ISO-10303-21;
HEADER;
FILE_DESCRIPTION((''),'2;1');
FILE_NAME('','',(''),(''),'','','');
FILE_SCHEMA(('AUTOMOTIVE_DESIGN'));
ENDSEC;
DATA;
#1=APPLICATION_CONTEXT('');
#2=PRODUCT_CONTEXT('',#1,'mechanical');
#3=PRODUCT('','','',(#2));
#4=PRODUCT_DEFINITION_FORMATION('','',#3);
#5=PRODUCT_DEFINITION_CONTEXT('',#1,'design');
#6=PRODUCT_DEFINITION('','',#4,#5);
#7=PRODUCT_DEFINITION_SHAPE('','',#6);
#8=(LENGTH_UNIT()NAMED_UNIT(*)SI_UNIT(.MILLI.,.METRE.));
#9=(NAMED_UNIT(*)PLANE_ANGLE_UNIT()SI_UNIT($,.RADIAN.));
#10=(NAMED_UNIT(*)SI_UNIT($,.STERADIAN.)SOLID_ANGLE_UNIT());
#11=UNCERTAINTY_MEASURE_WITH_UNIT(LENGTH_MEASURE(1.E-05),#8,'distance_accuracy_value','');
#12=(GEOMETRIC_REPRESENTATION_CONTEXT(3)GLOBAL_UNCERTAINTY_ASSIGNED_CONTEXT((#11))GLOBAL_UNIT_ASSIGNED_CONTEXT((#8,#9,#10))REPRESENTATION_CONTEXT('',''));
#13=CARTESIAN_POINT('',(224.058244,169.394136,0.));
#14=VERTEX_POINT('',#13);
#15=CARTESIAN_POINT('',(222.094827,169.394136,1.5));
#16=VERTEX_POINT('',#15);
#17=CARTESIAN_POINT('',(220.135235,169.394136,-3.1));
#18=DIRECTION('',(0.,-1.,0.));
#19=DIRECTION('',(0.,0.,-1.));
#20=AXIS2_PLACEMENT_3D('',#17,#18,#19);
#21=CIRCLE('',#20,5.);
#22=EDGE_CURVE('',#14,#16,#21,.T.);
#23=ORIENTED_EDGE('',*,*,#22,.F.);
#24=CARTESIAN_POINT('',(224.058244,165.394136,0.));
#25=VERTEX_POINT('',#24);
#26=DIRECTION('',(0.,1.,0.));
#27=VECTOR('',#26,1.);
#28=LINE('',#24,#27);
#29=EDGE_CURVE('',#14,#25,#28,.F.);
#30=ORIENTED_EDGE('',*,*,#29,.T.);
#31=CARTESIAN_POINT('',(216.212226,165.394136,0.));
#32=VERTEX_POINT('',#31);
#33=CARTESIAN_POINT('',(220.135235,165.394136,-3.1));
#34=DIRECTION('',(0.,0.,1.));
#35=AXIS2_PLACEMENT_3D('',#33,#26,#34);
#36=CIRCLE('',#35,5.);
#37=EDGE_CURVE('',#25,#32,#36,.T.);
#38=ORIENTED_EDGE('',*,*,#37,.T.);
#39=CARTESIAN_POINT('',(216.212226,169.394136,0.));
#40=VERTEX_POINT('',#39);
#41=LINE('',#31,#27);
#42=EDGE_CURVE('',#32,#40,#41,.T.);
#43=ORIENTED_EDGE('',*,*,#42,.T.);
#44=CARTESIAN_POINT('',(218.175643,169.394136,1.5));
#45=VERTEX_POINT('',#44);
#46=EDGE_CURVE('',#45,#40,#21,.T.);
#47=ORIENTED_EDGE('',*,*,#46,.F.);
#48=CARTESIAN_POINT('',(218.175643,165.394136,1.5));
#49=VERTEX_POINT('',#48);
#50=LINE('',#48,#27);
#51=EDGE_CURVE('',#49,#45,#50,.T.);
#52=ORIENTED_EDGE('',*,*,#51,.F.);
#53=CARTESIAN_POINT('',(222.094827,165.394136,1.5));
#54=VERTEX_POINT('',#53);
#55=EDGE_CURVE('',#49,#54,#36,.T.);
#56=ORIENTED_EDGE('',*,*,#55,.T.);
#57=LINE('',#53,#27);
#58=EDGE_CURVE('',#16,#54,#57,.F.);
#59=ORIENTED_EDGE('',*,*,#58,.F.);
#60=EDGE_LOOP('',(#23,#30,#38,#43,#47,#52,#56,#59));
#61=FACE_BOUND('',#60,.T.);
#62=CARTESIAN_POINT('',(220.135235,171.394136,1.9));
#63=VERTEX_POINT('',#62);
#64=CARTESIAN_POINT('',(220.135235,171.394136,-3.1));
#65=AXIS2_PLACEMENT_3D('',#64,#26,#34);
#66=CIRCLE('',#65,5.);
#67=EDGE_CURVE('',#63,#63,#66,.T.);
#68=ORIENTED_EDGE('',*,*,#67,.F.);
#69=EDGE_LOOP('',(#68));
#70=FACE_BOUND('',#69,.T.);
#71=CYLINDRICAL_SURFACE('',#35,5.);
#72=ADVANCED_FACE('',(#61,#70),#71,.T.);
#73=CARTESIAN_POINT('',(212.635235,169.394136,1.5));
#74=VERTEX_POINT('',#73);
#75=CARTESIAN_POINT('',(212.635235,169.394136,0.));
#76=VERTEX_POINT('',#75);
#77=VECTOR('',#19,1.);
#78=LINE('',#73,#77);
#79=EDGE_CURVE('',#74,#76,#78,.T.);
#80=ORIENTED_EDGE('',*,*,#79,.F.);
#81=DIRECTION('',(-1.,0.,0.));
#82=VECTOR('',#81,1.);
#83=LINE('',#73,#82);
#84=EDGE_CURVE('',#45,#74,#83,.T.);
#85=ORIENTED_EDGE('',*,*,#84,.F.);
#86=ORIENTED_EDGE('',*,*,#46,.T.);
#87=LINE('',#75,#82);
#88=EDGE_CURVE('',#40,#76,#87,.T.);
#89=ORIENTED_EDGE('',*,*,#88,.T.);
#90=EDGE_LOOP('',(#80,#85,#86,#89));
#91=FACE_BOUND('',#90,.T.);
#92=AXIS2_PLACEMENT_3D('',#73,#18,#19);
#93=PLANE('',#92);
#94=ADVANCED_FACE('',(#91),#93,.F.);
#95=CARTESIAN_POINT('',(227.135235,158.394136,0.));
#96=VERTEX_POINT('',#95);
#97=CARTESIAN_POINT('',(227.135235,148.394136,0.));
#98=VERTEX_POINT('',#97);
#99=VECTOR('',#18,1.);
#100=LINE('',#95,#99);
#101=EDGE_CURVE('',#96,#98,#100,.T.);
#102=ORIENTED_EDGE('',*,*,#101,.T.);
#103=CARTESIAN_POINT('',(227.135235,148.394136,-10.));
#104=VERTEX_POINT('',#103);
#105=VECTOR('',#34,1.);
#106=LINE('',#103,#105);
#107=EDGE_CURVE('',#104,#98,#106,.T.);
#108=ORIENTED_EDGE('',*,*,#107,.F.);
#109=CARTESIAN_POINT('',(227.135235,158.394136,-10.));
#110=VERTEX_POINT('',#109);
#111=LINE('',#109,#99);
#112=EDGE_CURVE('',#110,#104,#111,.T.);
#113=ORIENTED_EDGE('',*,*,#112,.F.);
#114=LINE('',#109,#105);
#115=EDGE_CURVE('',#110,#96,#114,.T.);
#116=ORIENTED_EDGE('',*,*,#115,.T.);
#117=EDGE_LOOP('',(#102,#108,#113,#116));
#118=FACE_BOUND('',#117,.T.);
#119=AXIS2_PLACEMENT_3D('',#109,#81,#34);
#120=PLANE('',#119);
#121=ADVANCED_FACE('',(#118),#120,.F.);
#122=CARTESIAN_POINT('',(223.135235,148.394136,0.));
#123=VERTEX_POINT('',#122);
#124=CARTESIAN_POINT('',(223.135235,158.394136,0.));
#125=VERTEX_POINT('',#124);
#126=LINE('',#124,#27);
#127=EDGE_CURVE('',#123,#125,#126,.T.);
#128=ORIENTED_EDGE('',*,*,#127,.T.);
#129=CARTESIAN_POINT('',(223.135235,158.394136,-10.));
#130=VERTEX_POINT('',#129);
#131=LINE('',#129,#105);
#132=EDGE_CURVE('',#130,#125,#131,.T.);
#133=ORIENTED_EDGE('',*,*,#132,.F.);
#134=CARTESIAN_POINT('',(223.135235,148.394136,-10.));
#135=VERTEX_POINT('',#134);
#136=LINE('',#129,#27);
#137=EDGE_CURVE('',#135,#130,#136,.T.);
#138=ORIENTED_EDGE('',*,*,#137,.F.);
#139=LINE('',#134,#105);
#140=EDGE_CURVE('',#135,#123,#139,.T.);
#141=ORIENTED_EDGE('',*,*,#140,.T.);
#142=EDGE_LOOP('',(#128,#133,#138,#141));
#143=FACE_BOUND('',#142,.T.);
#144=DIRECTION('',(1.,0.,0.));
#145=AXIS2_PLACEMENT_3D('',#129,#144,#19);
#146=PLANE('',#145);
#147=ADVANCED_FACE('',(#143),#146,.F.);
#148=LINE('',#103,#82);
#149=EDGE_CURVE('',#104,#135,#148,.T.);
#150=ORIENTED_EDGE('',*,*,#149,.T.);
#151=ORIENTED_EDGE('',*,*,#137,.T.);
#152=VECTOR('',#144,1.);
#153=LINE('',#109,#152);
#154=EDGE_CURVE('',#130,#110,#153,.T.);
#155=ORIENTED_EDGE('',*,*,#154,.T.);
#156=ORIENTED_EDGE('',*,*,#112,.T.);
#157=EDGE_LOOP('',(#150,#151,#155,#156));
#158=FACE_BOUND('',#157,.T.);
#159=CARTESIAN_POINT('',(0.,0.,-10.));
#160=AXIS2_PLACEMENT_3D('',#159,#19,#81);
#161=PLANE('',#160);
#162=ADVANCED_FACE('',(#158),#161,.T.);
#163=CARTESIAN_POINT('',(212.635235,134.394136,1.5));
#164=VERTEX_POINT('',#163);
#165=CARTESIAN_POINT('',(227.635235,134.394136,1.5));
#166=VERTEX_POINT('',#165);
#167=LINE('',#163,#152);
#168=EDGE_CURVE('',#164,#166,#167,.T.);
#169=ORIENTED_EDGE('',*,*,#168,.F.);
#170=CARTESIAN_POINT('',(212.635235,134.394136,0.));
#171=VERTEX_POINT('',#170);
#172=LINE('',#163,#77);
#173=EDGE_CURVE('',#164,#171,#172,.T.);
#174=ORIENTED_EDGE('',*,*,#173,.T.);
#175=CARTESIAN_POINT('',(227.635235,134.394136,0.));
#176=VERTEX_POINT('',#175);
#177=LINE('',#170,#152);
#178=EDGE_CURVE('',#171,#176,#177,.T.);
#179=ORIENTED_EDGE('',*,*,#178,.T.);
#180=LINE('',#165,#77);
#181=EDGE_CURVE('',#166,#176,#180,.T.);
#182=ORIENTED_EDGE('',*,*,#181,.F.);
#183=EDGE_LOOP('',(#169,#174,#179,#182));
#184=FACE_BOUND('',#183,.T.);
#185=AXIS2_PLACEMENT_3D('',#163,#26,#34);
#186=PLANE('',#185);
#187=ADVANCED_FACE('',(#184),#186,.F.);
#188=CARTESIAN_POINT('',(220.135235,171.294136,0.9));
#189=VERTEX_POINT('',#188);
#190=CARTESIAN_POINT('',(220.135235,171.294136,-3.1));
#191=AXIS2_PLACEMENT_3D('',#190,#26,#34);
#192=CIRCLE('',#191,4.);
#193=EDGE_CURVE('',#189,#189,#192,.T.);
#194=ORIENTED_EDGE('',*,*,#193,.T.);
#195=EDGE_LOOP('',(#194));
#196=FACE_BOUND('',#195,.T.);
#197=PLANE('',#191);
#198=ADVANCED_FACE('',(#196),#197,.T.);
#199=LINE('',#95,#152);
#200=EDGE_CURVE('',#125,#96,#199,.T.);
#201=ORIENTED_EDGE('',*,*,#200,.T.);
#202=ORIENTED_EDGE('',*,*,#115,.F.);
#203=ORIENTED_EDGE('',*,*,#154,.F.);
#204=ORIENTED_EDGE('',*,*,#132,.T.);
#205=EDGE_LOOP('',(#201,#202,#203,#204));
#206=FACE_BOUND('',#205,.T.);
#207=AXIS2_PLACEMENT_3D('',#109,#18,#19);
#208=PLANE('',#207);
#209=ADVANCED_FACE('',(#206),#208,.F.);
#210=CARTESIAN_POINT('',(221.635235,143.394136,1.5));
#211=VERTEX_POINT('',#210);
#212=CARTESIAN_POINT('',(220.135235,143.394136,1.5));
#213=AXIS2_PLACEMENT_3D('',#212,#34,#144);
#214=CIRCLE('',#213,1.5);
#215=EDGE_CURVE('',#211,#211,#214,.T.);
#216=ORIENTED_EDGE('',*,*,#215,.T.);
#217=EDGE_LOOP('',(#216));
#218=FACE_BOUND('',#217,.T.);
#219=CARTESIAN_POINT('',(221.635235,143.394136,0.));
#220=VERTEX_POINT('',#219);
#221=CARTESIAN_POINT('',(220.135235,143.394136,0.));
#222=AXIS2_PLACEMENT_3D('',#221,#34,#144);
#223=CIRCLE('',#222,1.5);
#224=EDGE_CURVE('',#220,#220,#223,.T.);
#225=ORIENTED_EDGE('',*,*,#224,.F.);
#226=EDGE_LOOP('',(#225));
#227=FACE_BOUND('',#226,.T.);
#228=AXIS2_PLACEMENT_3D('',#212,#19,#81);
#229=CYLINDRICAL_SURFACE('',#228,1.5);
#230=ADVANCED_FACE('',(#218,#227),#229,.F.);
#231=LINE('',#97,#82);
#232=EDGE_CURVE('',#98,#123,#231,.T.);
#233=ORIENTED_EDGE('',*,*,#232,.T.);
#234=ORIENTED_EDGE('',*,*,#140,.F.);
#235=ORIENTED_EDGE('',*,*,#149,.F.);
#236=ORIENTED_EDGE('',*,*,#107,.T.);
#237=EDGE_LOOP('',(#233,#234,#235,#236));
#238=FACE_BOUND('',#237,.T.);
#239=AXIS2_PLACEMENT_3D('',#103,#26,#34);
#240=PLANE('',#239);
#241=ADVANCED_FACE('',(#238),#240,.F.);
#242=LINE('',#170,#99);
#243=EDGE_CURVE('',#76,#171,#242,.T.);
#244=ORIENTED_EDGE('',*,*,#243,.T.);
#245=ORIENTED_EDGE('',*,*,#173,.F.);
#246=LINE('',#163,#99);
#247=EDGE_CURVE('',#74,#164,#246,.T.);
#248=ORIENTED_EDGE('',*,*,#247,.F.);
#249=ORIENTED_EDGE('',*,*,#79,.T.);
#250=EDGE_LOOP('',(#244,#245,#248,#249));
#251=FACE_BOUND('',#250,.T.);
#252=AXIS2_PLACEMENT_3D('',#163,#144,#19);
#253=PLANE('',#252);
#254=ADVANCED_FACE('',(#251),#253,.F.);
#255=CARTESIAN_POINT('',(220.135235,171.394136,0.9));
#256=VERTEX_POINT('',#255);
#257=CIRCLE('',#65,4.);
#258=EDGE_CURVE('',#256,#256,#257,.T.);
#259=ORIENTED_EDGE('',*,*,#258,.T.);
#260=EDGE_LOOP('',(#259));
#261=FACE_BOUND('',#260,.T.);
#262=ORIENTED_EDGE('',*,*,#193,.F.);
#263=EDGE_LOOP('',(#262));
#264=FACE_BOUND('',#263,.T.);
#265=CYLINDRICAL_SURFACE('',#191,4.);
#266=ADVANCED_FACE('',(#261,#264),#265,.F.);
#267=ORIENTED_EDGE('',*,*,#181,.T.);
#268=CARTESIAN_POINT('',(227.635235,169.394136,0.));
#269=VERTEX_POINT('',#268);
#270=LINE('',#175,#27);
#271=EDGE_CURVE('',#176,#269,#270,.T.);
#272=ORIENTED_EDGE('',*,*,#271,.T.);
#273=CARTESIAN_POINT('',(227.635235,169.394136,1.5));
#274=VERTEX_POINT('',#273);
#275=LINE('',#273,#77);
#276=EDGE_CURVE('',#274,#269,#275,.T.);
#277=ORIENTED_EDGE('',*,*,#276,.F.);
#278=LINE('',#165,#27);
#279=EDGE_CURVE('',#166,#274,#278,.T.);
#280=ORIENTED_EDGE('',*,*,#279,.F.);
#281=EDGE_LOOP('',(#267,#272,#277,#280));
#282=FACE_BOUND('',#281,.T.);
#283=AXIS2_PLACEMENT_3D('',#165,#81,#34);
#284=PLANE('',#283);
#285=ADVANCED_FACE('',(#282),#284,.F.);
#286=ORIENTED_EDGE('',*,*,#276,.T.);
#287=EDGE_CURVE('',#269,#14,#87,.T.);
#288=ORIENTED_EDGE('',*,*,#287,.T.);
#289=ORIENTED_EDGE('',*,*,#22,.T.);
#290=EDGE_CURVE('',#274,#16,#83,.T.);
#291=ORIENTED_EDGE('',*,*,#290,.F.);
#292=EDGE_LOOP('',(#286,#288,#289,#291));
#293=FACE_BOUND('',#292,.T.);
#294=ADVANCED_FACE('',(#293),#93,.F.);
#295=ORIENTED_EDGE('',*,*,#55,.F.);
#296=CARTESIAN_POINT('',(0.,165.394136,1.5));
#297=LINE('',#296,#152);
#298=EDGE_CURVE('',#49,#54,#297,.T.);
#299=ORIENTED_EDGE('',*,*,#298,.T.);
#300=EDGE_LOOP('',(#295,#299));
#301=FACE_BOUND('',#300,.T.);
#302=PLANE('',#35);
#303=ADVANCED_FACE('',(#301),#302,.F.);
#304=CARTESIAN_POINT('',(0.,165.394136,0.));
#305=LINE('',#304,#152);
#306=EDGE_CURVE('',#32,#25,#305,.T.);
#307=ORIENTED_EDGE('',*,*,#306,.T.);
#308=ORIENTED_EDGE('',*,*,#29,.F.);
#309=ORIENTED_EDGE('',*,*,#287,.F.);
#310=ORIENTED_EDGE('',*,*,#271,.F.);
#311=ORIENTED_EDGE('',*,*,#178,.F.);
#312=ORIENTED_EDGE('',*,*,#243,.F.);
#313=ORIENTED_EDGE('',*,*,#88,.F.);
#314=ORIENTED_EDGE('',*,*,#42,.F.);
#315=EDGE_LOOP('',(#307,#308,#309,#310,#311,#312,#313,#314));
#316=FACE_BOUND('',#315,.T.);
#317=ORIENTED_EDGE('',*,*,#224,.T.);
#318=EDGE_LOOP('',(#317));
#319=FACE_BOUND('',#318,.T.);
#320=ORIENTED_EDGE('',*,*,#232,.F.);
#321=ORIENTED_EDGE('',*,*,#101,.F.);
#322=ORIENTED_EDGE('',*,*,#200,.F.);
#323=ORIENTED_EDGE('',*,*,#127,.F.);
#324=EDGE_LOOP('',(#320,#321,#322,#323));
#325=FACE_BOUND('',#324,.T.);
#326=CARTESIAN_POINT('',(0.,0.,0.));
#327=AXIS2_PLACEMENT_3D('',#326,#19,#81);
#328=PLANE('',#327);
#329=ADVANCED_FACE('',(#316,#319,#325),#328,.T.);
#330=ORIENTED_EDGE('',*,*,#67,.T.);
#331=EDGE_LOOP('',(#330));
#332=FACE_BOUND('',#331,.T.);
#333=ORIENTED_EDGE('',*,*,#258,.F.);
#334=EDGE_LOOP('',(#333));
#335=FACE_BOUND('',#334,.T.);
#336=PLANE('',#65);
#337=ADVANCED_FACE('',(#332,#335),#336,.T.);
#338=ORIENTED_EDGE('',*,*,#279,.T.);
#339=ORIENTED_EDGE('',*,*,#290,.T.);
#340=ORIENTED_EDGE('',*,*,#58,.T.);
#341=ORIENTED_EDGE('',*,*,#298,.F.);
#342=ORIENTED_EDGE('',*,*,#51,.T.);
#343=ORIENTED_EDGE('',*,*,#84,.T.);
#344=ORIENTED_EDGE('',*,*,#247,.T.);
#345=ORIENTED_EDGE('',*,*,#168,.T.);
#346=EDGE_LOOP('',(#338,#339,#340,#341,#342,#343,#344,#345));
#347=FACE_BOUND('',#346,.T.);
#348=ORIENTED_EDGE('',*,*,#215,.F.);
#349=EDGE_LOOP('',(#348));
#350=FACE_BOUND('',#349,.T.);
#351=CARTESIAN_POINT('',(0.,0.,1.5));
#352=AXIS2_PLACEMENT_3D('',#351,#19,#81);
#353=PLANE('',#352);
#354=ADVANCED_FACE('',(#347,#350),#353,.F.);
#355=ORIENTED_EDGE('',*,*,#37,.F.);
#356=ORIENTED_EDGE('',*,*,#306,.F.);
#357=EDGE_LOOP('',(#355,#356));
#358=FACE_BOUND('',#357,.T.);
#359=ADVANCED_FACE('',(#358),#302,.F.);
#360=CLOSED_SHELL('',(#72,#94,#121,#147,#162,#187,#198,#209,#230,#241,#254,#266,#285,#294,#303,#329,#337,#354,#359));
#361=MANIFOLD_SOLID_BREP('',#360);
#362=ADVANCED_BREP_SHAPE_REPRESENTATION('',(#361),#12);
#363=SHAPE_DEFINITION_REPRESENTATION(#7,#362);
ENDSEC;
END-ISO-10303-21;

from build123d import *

# Parameters (mm, degrees)
SKETCH1_W                = 15
SKETCH1_H                = 35
SKETCH1_R                = 1.5
BOSS_EXTRUDE1_DEPTH      = 1.5
SKETCH2_R                = 5
BOSS_EXTRUDE2_DEPTH      = 2
BOSS_EXTRUDE2_DEPTH_BACK = 4
SKETCH3_R                = 4
CUT_EXTRUDE1_DEPTH       = 0.1
SKETCH4_W                = 4
SKETCH4_H                = 10
BOSS_EXTRUDE3_DEPTH      = 10


with BuildPart() as part:
    # Sketch1 → Boss-Extrude1 (new body)
    with BuildSketch(Plane.XY):
        with Locations((220.135234982, 151.894136477)):
            Rectangle(SKETCH1_W, SKETCH1_H)
        with Locations((220.135234982, 143.394136477)):
            Circle(SKETCH1_R, mode=Mode.SUBTRACT)
    extrude(amount=BOSS_EXTRUDE1_DEPTH)

    # Sketch2 → Boss-Extrude2 (add, two sides)
    with BuildSketch(Plane(origin=(0, 169.394136477, 0), x_dir=(1, 0, 0), z_dir=(0, 1, 0))) as boss_extrude2_sk:
        with Locations((220.135234982, 3.1)):
            Circle(SKETCH2_R)
    extrude(amount=BOSS_EXTRUDE2_DEPTH)
    extrude(boss_extrude2_sk.sketch, amount=-BOSS_EXTRUDE2_DEPTH_BACK)

    # Sketch3 → Cut-Extrude1 (cut)
    with BuildSketch(Plane(origin=(0, 171.394136477, 0), x_dir=(1, 0, 0), z_dir=(0, 1, 0))):
        with Locations((220.135234982, 3.1)):
            Circle(SKETCH3_R)
    extrude(amount=-CUT_EXTRUDE1_DEPTH, mode=Mode.SUBTRACT)

    # Sketch4 → Boss-Extrude3 (add)
    with BuildSketch(Plane(origin=(0, 0, 0), x_dir=(-1, 0, 0), z_dir=(0, 0, -1))):
        with Locations((-225.135234982, 153.394136477)):
            Rectangle(SKETCH4_W, SKETCH4_H)
    extrude(amount=BOSS_EXTRUDE3_DEPTH)


solid = part.part
